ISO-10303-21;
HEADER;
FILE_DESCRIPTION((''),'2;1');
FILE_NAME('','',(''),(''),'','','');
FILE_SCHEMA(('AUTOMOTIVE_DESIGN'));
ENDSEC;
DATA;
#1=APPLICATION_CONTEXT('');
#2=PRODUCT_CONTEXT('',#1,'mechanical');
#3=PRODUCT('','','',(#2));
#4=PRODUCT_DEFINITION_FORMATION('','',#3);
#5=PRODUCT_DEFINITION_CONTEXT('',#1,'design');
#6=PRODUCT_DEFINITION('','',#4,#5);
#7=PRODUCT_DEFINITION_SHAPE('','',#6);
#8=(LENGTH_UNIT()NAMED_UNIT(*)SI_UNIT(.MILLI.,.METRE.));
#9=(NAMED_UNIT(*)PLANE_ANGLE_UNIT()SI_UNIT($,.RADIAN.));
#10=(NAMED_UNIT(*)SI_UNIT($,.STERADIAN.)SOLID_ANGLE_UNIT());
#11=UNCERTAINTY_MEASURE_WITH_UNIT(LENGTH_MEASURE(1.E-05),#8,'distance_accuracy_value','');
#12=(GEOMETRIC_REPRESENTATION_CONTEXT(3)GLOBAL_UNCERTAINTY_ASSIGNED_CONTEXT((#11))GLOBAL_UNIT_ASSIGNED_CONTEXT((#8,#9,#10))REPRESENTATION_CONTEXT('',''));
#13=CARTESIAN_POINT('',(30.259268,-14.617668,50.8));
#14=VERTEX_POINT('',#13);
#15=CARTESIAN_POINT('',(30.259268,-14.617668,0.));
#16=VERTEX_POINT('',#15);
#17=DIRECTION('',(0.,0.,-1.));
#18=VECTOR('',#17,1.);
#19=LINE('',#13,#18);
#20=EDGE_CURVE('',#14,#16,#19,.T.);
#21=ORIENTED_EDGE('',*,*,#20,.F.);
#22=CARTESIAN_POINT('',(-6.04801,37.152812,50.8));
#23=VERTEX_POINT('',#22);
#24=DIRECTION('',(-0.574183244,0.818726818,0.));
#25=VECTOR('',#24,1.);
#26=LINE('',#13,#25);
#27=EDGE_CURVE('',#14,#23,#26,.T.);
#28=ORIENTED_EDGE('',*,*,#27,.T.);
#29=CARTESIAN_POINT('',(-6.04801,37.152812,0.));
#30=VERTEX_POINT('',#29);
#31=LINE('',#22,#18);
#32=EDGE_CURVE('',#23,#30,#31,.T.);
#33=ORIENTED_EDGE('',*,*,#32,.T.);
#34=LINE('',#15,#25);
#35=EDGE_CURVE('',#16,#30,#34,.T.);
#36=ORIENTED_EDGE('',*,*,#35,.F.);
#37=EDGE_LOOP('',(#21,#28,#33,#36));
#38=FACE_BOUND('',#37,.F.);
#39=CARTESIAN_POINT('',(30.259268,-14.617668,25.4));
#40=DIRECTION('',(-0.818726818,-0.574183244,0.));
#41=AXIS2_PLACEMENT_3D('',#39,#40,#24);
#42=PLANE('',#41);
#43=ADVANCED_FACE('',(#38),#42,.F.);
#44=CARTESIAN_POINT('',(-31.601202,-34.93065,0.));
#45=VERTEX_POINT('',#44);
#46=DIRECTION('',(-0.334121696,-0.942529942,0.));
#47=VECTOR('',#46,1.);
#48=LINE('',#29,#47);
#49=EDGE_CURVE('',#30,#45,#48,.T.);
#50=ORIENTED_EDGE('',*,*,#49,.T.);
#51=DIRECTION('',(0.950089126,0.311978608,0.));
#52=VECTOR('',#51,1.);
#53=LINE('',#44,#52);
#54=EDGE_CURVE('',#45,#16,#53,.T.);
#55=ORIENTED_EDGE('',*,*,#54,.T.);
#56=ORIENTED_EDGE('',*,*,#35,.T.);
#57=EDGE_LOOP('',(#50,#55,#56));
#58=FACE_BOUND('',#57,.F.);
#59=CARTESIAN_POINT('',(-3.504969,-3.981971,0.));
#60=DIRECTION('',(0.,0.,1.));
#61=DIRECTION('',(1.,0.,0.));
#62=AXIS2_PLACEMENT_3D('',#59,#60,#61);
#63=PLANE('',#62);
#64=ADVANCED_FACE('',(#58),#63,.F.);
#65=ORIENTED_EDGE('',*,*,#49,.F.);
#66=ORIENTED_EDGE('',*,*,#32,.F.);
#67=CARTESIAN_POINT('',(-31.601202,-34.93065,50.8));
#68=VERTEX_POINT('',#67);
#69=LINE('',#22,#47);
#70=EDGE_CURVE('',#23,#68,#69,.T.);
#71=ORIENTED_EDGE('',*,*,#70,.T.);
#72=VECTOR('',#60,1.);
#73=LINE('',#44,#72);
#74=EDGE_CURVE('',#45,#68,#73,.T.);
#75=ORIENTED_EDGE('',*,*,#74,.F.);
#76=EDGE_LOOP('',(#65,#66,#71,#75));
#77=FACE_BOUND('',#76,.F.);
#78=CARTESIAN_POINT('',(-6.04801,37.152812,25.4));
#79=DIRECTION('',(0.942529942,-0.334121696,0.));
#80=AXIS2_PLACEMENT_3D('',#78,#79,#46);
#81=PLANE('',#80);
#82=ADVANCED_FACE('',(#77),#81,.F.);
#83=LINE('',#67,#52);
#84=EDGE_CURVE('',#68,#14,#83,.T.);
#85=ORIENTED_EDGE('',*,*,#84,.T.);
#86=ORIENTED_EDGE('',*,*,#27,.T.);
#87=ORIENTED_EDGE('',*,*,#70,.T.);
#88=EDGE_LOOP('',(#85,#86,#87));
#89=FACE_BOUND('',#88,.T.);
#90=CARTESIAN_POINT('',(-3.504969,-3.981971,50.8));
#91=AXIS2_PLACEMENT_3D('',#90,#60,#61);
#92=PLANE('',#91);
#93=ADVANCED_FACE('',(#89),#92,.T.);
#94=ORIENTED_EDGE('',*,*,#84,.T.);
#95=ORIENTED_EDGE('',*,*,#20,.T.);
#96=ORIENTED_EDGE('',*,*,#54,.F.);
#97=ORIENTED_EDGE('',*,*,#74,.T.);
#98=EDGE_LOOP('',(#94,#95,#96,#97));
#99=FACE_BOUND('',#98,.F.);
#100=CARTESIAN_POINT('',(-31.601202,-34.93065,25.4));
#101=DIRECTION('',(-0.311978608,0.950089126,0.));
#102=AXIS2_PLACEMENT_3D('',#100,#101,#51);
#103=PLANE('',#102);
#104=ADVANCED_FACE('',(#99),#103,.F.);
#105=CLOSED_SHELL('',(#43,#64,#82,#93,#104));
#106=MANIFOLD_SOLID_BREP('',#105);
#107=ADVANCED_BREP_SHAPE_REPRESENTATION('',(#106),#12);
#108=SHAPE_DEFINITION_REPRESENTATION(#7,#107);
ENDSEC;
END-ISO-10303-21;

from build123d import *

# Parameters (mm, degrees)
F1_DEPTH = 25.4
F3_DEPTH = 25.4


with BuildPart() as f1:
    # F0 (on Top) → F1 (new body)
    with BuildSketch(Plane.XY):
        Polygon((-6.04801, 37.152812), (-31.601202, -34.93065), (30.259268, -14.617668), align=None)
    extrude(amount=F1_DEPTH)

    # F2 (on face) → F3 (join)
    with BuildSketch(Plane.XY.offset(25.4)):
        Polygon((-6.04801, 37.152812), (-31.601202, -34.93065), (30.259268, -14.617668), align=None)
    extrude(amount=F3_DEPTH)


solid = f1.part
